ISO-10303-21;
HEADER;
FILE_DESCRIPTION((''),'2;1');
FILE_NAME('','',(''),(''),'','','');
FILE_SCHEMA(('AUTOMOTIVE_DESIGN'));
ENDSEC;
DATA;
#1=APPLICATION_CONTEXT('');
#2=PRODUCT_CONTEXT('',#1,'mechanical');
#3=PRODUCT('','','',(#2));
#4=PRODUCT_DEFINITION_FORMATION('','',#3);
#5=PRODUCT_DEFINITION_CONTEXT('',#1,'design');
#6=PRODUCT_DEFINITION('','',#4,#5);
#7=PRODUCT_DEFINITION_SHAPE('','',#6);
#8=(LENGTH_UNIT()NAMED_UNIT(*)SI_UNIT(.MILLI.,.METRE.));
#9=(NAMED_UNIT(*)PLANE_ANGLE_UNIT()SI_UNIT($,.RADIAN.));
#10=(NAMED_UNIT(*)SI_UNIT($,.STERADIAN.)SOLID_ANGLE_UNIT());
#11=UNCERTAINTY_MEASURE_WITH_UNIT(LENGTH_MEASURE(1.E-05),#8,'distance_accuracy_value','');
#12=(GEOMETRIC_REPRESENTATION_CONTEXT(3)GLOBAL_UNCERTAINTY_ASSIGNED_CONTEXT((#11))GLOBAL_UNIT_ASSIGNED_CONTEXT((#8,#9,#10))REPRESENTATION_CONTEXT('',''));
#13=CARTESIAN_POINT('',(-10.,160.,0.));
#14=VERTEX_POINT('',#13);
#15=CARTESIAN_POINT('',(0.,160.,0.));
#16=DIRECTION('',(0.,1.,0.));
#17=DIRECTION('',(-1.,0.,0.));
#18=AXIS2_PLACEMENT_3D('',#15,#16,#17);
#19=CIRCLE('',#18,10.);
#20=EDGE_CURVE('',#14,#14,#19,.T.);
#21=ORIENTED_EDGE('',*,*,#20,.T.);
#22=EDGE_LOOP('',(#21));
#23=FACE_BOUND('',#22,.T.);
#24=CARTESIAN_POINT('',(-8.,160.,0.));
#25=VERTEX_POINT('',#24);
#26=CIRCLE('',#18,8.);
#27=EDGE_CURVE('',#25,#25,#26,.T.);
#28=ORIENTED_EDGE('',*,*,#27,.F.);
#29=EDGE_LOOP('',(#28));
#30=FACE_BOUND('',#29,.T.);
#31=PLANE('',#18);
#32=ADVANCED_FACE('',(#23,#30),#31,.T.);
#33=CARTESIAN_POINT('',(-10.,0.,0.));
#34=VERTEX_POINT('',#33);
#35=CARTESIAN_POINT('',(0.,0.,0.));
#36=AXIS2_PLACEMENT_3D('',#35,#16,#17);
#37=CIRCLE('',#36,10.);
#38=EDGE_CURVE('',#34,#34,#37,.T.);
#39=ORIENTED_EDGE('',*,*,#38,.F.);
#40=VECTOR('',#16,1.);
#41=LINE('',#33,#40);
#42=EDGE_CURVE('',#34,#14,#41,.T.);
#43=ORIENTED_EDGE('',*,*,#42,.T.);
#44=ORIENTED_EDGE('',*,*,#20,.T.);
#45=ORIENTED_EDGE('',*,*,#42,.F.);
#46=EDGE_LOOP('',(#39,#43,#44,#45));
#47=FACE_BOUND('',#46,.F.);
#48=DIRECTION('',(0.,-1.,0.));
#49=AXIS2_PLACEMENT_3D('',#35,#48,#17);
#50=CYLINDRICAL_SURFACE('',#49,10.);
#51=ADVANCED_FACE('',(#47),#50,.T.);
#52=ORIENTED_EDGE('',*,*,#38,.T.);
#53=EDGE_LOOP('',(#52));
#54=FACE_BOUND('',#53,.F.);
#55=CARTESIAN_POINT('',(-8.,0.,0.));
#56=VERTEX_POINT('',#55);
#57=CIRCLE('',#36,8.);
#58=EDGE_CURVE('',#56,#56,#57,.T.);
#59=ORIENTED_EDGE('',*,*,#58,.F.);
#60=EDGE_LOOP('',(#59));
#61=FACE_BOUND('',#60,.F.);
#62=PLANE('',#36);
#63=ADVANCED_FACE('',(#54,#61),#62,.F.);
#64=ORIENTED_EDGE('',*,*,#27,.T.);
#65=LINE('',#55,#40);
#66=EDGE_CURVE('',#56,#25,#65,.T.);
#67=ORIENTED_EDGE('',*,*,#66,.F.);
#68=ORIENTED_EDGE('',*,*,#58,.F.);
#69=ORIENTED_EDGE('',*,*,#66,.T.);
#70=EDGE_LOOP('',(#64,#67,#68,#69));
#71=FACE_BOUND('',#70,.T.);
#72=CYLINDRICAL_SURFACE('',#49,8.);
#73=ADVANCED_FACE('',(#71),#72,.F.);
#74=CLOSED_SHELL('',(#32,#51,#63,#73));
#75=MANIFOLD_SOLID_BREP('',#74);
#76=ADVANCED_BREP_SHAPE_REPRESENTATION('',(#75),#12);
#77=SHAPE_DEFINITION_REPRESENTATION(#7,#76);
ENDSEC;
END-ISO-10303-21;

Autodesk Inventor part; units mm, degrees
ref_plane "YZ Plane" through (0, 0, 0) normal (1, 0, 0) x (0, 1, 0)
ref_plane "XZ Plane" through (0, 0, 0) normal (0, 1, 0) x (-1, 0, 0)
ref_plane "XY Plane" through (0, 0, 0) normal (0, 0, 1) x (1, 0, 0)
sketch "Эскиз1" plane through (0, 0, 0) normal (0, 1, 0) x (-1, 0, 0)
  circle A0 centre (0, 0) radius 10
  circle A1 centre (0, 0) radius 8
  dimension "d0" = 20
  dimension "d1" = 16
extrude "Выдавливание1" add sketch "Эскиз1" along normal blind 160
properties part number "трубка"
